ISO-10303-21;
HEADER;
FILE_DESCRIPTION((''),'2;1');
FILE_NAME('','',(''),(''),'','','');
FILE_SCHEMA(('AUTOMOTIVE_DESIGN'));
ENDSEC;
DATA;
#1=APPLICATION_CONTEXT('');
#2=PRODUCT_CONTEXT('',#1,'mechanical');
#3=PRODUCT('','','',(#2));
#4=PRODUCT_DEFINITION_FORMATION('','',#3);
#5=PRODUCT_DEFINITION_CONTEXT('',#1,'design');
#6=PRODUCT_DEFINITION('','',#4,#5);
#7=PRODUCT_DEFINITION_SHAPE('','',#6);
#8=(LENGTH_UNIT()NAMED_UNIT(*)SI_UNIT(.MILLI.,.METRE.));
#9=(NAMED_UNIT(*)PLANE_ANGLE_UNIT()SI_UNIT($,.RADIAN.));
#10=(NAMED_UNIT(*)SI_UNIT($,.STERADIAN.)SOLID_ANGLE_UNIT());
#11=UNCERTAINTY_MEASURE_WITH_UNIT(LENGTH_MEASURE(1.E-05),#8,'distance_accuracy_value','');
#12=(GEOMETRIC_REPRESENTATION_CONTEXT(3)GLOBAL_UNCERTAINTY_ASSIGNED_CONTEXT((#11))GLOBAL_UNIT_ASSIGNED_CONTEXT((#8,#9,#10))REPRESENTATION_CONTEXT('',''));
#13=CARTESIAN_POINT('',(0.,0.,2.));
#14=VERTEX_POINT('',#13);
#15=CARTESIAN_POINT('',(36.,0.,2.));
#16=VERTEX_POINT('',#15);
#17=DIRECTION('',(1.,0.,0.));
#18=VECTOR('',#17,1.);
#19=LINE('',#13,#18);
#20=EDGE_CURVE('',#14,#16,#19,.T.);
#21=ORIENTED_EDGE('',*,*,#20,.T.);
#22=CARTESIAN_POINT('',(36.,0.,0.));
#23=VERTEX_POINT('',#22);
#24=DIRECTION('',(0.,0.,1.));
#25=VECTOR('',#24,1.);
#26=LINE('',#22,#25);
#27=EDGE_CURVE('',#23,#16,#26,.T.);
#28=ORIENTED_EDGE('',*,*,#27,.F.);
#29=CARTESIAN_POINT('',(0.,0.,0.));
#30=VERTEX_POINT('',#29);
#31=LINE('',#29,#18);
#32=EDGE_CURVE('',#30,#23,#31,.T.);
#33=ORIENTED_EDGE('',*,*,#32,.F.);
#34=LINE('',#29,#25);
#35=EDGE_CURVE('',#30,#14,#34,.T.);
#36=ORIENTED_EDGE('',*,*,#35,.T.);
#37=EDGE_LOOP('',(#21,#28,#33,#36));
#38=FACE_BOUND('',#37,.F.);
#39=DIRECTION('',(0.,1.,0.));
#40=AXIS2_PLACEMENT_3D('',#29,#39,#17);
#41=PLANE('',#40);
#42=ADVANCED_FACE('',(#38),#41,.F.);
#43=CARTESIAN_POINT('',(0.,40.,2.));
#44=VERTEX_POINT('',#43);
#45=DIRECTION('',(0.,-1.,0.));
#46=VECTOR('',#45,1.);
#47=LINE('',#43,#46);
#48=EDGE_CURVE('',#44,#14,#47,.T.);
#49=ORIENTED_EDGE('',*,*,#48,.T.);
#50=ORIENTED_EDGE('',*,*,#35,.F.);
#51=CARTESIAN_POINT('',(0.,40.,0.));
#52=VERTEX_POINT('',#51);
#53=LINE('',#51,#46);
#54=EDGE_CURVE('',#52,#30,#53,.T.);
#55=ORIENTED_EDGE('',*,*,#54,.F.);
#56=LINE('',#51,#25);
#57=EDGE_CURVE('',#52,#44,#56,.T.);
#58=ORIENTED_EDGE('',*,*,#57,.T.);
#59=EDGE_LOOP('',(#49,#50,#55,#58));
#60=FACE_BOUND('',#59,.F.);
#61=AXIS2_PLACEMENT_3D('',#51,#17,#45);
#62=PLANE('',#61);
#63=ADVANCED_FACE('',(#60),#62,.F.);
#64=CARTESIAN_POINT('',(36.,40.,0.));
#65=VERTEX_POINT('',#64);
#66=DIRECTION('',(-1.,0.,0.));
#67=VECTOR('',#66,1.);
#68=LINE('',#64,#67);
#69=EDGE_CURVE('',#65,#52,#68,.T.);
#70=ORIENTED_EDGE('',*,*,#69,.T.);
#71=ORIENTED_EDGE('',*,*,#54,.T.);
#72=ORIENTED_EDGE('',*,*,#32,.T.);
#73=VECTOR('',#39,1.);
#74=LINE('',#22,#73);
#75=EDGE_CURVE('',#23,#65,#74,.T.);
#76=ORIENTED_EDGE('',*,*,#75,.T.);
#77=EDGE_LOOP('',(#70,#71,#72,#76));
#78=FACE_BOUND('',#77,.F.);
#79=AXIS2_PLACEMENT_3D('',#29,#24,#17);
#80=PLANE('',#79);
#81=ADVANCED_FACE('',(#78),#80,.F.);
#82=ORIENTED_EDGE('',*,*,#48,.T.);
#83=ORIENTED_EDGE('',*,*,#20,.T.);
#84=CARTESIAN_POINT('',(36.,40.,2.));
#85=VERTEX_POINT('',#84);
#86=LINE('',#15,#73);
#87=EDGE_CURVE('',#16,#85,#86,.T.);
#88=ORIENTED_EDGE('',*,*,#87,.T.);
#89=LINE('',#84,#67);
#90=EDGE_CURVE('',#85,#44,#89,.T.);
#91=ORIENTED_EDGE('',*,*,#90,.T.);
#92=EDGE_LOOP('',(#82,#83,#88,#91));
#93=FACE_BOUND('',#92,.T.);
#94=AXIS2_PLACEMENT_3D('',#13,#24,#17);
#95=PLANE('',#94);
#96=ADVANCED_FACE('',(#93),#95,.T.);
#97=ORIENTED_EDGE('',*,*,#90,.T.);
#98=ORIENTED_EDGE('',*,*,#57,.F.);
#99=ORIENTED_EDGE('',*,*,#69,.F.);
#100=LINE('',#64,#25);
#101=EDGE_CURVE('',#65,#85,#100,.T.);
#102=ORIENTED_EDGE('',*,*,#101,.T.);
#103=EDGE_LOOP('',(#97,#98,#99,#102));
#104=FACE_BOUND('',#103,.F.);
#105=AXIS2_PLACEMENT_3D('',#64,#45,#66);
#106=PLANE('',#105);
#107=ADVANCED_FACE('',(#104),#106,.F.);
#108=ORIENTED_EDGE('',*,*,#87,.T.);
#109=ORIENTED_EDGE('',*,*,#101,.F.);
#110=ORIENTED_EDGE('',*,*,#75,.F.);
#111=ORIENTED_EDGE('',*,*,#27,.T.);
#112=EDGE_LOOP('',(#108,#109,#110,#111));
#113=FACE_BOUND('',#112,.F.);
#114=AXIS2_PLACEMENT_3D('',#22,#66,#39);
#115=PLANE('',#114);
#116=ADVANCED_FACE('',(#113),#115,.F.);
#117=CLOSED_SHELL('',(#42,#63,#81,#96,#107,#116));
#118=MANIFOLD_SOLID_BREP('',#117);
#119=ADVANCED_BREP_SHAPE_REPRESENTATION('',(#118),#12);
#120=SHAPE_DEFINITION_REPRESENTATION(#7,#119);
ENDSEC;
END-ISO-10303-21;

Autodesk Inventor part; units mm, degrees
ref_plane "YZ Plane" through (0, 0, 0) normal (1, 0, 0) x (0, 1, 0)
ref_plane "XZ Plane" through (0, 0, 0) normal (0, 1, 0) x (-1, 0, 0)
ref_plane "XY Plane" through (0, 0, 0) normal (0, 0, 1) x (1, 0, 0)
sketch "Sketch1" plane through (0, 0, 0) normal (0, 0, 1) x (1, 0, 0)
  line L0 (0, 0) -> (36, 0)
  line L1 (36, 0) -> (36, 40)
  line L2 (36, 40) -> (0, 40)
  line L3 (0, 40) -> (0, 0)
  dimension "d0" = 36
  dimension "d1" = 40
extrude "Extrusion1" add sketch "Sketch1" along normal blind 2
properties part number "Bovenplaat"
